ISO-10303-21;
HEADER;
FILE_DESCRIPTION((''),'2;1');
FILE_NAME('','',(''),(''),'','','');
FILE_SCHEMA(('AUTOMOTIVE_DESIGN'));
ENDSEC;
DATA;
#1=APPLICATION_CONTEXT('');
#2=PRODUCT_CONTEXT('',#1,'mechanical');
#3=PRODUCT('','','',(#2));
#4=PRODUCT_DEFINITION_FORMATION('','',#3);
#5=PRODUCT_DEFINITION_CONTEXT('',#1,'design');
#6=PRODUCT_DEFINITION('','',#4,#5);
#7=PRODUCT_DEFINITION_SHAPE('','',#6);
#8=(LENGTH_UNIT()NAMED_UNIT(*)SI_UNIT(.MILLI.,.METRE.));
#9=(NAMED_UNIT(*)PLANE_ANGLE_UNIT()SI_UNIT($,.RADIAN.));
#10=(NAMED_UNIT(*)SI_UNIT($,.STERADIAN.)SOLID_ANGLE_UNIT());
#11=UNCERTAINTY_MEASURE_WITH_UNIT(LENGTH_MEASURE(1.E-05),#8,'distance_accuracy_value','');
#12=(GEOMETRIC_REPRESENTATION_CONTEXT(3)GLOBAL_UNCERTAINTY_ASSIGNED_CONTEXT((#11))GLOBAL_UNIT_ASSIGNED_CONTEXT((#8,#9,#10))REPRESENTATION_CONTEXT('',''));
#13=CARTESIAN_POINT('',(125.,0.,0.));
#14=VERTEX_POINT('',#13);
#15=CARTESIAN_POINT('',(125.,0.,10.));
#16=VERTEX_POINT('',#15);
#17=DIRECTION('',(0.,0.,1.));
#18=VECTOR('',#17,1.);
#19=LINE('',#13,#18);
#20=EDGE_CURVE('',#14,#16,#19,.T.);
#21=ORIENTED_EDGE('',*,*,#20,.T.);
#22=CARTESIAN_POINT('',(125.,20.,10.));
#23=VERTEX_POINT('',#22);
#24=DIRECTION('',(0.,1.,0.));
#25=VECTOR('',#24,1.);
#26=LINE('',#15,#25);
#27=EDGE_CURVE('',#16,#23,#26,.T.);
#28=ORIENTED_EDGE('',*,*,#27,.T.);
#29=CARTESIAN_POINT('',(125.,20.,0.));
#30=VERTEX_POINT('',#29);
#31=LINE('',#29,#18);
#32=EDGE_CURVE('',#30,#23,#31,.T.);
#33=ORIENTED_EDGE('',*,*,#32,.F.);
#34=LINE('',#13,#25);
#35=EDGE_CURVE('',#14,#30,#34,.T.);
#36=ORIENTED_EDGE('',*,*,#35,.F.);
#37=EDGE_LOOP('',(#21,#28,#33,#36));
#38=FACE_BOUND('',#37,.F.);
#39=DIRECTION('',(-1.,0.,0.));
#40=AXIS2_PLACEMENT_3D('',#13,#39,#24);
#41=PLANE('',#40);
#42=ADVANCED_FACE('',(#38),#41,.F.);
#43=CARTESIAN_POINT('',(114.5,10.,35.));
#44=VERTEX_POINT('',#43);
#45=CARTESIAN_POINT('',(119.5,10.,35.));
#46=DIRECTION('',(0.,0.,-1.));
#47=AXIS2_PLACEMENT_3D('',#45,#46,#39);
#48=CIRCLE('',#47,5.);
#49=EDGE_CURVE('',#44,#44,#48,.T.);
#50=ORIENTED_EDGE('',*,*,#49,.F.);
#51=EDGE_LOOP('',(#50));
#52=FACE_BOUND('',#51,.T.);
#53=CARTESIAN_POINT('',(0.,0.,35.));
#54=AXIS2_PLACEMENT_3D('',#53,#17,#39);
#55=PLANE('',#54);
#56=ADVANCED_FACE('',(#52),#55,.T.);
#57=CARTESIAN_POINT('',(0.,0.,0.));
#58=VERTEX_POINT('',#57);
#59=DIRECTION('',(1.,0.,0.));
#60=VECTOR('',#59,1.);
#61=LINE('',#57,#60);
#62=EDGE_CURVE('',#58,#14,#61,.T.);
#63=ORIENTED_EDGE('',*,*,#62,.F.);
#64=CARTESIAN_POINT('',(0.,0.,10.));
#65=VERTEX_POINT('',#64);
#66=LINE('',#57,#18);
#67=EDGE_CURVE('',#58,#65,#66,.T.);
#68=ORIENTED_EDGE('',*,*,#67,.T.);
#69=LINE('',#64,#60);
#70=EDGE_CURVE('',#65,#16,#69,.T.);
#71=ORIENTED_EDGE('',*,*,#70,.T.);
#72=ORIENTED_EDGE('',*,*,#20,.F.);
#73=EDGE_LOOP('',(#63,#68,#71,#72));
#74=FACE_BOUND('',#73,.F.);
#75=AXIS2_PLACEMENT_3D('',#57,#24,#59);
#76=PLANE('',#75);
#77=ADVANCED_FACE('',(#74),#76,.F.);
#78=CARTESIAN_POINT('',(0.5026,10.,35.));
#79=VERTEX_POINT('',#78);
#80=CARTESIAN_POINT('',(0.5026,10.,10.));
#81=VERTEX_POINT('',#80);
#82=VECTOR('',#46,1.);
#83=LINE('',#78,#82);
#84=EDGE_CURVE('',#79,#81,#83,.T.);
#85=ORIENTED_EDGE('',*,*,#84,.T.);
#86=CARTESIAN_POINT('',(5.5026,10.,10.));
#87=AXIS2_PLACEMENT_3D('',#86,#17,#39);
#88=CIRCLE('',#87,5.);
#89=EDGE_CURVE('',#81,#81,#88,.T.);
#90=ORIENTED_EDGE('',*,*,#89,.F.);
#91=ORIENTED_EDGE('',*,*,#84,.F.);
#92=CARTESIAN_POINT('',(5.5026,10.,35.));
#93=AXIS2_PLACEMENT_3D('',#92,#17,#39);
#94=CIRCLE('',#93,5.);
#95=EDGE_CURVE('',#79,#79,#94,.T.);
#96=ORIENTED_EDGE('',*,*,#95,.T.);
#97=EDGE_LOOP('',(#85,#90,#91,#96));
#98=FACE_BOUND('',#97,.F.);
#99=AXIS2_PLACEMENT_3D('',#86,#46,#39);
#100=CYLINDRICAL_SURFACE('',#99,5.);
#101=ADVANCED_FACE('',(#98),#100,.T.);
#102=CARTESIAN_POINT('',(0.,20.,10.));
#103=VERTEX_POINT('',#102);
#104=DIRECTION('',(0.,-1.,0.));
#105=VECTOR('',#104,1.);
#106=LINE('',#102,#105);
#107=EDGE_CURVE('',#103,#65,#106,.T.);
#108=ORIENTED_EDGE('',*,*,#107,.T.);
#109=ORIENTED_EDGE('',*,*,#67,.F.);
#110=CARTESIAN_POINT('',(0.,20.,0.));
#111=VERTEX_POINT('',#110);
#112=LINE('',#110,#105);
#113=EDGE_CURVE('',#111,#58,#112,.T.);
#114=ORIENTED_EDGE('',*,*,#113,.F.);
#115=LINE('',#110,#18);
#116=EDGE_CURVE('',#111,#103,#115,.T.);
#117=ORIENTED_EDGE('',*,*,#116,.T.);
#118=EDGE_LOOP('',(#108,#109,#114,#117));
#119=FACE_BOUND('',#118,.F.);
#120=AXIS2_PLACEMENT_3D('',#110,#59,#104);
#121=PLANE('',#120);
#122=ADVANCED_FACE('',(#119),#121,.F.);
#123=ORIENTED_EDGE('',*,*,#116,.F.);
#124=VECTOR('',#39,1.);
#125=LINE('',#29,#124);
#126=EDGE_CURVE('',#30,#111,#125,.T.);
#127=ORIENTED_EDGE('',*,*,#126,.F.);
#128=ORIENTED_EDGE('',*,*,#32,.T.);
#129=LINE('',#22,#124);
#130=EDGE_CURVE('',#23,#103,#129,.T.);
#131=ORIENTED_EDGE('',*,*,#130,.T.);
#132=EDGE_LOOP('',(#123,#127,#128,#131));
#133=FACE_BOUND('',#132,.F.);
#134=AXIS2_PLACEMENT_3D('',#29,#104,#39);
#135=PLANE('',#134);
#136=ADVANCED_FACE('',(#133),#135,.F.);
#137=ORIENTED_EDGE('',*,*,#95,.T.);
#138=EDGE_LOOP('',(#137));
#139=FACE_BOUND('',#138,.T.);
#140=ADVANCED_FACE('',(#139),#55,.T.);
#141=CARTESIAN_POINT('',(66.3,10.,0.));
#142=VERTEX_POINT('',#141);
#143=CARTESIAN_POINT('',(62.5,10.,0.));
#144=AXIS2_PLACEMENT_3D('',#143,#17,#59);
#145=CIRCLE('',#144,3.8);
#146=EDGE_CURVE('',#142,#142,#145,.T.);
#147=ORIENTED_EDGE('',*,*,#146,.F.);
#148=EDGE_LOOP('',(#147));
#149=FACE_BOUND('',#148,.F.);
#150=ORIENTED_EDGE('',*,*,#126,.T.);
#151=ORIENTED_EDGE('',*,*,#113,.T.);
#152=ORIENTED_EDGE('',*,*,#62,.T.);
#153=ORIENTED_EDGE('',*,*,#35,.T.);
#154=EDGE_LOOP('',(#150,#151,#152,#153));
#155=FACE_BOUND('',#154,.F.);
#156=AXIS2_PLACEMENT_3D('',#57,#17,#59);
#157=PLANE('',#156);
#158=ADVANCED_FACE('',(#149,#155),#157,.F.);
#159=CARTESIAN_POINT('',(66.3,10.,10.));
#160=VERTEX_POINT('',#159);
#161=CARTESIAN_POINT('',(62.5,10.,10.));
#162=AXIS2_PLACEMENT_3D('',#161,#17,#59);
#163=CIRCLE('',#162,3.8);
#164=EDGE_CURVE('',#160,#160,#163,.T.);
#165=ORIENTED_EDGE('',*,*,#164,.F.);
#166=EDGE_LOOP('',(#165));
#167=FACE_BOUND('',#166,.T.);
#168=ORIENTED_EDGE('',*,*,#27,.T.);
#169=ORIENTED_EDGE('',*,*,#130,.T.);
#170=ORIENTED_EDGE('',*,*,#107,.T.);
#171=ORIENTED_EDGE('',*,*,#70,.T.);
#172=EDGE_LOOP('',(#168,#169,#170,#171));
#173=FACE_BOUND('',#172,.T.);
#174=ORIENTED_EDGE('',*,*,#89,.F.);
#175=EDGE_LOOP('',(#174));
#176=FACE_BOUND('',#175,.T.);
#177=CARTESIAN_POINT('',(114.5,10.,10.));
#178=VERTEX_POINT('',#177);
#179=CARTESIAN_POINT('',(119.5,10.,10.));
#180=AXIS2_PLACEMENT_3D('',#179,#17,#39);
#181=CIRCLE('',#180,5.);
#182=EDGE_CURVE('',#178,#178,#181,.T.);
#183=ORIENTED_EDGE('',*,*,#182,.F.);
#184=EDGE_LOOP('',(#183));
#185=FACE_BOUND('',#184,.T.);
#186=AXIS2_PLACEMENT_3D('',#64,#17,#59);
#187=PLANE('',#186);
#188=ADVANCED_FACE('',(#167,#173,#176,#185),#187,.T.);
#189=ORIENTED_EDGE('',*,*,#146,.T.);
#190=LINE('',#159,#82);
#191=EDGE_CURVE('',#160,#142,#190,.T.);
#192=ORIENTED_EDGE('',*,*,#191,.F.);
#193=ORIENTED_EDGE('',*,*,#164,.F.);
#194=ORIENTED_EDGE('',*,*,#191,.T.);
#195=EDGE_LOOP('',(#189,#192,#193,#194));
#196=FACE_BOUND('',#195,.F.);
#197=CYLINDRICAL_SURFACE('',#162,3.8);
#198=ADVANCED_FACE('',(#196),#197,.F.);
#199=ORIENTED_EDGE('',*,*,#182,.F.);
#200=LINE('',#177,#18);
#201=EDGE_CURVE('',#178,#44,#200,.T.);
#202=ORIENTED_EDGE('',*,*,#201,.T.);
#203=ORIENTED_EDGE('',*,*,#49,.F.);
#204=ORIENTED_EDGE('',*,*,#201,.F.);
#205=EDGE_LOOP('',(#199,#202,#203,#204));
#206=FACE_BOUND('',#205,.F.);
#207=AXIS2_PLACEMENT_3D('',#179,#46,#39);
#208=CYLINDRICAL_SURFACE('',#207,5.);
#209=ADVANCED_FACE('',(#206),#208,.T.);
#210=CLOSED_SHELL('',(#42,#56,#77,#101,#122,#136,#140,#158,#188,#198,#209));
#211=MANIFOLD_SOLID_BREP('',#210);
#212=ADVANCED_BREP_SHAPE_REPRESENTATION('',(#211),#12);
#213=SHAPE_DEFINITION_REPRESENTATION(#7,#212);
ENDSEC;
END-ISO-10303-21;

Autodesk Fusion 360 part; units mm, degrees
sketch "Skizze1" plane through (0, 0, 0) normal (0, 0, 1) x (1, 0, 0)
  line L0 (0, 0) -> (125, 0)
  line L1 (125, 0) -> (125, 20)
  line L2 (125, 20) -> (0, 20)
  line L3 (0, 20) -> (0, 0)
  dimension "d1" = 125
  dimension "d2" = 20
extrude "Extrusion1" add sketch "Skizze1" along normal blind 10
sketch "Skizze2" plane through (0, 0, 10) normal (0, 0, 1) x (-1, 0, 0)
  line L0 (0, -20) -> (0, 0)
  line L1 (0, 0) -> (-125, 0)
  line L2 (-125, 0) -> (-125, -20)
  line L3 (-125, -20) -> (0, -20)
  circle A0 centre (-62.5, -10) radius 3.75
  dimension "d5" = 7.5
extrude "Extrusion2" cut sketch "Skizze2" against normal blind 10 contours A0
sketch "Skizze3" plane through (0, 0, 10) normal (0, 0, 1) x (-1, 0, 0)
  circle A0 centre (-62.5, -10) radius 3.75
  line L0 (0, -20) -> (0, 0)
  line L1 (0, 0) -> (-125, 0)
  line L2 (-125, 0) -> (-125, -20)
  line L3 (-125, -20) -> (0, -20)
  curve L4
  curve L5
  line L6 (-125, -10) -> (-119.5, -10)
  circle A1 centre (-5.5026, -10) radius 5
  circle A2 centre (-119.5, -10) radius 5
  dimension "d8" = 5.5
  dimension "d9" = 5.5
  dimension "d10" = 10
  dimension "d13" = 10
extrude "Extrusion4" add sketch "Skizze3" along normal blind 25 contours A2 | A1
extrude "Extrusion3" add sketch "Skizze3" along normal blind 10 contours A1
sketch "Skizze4" plane through (0, 0, 10) normal (0, 0, 1) x (1, 0, 0)
  circle A0 centre (62.5, 10) radius 3.8
  point P0 (62.5, 10)
  dimension "d16" = 7.6
extrude "Extrusion5" cut sketch "Skizze4" against normal blind 20
sketch "Skizze5" plane through (0, 0, 10) normal (0, 0, 1) x (1, 0, 0)
